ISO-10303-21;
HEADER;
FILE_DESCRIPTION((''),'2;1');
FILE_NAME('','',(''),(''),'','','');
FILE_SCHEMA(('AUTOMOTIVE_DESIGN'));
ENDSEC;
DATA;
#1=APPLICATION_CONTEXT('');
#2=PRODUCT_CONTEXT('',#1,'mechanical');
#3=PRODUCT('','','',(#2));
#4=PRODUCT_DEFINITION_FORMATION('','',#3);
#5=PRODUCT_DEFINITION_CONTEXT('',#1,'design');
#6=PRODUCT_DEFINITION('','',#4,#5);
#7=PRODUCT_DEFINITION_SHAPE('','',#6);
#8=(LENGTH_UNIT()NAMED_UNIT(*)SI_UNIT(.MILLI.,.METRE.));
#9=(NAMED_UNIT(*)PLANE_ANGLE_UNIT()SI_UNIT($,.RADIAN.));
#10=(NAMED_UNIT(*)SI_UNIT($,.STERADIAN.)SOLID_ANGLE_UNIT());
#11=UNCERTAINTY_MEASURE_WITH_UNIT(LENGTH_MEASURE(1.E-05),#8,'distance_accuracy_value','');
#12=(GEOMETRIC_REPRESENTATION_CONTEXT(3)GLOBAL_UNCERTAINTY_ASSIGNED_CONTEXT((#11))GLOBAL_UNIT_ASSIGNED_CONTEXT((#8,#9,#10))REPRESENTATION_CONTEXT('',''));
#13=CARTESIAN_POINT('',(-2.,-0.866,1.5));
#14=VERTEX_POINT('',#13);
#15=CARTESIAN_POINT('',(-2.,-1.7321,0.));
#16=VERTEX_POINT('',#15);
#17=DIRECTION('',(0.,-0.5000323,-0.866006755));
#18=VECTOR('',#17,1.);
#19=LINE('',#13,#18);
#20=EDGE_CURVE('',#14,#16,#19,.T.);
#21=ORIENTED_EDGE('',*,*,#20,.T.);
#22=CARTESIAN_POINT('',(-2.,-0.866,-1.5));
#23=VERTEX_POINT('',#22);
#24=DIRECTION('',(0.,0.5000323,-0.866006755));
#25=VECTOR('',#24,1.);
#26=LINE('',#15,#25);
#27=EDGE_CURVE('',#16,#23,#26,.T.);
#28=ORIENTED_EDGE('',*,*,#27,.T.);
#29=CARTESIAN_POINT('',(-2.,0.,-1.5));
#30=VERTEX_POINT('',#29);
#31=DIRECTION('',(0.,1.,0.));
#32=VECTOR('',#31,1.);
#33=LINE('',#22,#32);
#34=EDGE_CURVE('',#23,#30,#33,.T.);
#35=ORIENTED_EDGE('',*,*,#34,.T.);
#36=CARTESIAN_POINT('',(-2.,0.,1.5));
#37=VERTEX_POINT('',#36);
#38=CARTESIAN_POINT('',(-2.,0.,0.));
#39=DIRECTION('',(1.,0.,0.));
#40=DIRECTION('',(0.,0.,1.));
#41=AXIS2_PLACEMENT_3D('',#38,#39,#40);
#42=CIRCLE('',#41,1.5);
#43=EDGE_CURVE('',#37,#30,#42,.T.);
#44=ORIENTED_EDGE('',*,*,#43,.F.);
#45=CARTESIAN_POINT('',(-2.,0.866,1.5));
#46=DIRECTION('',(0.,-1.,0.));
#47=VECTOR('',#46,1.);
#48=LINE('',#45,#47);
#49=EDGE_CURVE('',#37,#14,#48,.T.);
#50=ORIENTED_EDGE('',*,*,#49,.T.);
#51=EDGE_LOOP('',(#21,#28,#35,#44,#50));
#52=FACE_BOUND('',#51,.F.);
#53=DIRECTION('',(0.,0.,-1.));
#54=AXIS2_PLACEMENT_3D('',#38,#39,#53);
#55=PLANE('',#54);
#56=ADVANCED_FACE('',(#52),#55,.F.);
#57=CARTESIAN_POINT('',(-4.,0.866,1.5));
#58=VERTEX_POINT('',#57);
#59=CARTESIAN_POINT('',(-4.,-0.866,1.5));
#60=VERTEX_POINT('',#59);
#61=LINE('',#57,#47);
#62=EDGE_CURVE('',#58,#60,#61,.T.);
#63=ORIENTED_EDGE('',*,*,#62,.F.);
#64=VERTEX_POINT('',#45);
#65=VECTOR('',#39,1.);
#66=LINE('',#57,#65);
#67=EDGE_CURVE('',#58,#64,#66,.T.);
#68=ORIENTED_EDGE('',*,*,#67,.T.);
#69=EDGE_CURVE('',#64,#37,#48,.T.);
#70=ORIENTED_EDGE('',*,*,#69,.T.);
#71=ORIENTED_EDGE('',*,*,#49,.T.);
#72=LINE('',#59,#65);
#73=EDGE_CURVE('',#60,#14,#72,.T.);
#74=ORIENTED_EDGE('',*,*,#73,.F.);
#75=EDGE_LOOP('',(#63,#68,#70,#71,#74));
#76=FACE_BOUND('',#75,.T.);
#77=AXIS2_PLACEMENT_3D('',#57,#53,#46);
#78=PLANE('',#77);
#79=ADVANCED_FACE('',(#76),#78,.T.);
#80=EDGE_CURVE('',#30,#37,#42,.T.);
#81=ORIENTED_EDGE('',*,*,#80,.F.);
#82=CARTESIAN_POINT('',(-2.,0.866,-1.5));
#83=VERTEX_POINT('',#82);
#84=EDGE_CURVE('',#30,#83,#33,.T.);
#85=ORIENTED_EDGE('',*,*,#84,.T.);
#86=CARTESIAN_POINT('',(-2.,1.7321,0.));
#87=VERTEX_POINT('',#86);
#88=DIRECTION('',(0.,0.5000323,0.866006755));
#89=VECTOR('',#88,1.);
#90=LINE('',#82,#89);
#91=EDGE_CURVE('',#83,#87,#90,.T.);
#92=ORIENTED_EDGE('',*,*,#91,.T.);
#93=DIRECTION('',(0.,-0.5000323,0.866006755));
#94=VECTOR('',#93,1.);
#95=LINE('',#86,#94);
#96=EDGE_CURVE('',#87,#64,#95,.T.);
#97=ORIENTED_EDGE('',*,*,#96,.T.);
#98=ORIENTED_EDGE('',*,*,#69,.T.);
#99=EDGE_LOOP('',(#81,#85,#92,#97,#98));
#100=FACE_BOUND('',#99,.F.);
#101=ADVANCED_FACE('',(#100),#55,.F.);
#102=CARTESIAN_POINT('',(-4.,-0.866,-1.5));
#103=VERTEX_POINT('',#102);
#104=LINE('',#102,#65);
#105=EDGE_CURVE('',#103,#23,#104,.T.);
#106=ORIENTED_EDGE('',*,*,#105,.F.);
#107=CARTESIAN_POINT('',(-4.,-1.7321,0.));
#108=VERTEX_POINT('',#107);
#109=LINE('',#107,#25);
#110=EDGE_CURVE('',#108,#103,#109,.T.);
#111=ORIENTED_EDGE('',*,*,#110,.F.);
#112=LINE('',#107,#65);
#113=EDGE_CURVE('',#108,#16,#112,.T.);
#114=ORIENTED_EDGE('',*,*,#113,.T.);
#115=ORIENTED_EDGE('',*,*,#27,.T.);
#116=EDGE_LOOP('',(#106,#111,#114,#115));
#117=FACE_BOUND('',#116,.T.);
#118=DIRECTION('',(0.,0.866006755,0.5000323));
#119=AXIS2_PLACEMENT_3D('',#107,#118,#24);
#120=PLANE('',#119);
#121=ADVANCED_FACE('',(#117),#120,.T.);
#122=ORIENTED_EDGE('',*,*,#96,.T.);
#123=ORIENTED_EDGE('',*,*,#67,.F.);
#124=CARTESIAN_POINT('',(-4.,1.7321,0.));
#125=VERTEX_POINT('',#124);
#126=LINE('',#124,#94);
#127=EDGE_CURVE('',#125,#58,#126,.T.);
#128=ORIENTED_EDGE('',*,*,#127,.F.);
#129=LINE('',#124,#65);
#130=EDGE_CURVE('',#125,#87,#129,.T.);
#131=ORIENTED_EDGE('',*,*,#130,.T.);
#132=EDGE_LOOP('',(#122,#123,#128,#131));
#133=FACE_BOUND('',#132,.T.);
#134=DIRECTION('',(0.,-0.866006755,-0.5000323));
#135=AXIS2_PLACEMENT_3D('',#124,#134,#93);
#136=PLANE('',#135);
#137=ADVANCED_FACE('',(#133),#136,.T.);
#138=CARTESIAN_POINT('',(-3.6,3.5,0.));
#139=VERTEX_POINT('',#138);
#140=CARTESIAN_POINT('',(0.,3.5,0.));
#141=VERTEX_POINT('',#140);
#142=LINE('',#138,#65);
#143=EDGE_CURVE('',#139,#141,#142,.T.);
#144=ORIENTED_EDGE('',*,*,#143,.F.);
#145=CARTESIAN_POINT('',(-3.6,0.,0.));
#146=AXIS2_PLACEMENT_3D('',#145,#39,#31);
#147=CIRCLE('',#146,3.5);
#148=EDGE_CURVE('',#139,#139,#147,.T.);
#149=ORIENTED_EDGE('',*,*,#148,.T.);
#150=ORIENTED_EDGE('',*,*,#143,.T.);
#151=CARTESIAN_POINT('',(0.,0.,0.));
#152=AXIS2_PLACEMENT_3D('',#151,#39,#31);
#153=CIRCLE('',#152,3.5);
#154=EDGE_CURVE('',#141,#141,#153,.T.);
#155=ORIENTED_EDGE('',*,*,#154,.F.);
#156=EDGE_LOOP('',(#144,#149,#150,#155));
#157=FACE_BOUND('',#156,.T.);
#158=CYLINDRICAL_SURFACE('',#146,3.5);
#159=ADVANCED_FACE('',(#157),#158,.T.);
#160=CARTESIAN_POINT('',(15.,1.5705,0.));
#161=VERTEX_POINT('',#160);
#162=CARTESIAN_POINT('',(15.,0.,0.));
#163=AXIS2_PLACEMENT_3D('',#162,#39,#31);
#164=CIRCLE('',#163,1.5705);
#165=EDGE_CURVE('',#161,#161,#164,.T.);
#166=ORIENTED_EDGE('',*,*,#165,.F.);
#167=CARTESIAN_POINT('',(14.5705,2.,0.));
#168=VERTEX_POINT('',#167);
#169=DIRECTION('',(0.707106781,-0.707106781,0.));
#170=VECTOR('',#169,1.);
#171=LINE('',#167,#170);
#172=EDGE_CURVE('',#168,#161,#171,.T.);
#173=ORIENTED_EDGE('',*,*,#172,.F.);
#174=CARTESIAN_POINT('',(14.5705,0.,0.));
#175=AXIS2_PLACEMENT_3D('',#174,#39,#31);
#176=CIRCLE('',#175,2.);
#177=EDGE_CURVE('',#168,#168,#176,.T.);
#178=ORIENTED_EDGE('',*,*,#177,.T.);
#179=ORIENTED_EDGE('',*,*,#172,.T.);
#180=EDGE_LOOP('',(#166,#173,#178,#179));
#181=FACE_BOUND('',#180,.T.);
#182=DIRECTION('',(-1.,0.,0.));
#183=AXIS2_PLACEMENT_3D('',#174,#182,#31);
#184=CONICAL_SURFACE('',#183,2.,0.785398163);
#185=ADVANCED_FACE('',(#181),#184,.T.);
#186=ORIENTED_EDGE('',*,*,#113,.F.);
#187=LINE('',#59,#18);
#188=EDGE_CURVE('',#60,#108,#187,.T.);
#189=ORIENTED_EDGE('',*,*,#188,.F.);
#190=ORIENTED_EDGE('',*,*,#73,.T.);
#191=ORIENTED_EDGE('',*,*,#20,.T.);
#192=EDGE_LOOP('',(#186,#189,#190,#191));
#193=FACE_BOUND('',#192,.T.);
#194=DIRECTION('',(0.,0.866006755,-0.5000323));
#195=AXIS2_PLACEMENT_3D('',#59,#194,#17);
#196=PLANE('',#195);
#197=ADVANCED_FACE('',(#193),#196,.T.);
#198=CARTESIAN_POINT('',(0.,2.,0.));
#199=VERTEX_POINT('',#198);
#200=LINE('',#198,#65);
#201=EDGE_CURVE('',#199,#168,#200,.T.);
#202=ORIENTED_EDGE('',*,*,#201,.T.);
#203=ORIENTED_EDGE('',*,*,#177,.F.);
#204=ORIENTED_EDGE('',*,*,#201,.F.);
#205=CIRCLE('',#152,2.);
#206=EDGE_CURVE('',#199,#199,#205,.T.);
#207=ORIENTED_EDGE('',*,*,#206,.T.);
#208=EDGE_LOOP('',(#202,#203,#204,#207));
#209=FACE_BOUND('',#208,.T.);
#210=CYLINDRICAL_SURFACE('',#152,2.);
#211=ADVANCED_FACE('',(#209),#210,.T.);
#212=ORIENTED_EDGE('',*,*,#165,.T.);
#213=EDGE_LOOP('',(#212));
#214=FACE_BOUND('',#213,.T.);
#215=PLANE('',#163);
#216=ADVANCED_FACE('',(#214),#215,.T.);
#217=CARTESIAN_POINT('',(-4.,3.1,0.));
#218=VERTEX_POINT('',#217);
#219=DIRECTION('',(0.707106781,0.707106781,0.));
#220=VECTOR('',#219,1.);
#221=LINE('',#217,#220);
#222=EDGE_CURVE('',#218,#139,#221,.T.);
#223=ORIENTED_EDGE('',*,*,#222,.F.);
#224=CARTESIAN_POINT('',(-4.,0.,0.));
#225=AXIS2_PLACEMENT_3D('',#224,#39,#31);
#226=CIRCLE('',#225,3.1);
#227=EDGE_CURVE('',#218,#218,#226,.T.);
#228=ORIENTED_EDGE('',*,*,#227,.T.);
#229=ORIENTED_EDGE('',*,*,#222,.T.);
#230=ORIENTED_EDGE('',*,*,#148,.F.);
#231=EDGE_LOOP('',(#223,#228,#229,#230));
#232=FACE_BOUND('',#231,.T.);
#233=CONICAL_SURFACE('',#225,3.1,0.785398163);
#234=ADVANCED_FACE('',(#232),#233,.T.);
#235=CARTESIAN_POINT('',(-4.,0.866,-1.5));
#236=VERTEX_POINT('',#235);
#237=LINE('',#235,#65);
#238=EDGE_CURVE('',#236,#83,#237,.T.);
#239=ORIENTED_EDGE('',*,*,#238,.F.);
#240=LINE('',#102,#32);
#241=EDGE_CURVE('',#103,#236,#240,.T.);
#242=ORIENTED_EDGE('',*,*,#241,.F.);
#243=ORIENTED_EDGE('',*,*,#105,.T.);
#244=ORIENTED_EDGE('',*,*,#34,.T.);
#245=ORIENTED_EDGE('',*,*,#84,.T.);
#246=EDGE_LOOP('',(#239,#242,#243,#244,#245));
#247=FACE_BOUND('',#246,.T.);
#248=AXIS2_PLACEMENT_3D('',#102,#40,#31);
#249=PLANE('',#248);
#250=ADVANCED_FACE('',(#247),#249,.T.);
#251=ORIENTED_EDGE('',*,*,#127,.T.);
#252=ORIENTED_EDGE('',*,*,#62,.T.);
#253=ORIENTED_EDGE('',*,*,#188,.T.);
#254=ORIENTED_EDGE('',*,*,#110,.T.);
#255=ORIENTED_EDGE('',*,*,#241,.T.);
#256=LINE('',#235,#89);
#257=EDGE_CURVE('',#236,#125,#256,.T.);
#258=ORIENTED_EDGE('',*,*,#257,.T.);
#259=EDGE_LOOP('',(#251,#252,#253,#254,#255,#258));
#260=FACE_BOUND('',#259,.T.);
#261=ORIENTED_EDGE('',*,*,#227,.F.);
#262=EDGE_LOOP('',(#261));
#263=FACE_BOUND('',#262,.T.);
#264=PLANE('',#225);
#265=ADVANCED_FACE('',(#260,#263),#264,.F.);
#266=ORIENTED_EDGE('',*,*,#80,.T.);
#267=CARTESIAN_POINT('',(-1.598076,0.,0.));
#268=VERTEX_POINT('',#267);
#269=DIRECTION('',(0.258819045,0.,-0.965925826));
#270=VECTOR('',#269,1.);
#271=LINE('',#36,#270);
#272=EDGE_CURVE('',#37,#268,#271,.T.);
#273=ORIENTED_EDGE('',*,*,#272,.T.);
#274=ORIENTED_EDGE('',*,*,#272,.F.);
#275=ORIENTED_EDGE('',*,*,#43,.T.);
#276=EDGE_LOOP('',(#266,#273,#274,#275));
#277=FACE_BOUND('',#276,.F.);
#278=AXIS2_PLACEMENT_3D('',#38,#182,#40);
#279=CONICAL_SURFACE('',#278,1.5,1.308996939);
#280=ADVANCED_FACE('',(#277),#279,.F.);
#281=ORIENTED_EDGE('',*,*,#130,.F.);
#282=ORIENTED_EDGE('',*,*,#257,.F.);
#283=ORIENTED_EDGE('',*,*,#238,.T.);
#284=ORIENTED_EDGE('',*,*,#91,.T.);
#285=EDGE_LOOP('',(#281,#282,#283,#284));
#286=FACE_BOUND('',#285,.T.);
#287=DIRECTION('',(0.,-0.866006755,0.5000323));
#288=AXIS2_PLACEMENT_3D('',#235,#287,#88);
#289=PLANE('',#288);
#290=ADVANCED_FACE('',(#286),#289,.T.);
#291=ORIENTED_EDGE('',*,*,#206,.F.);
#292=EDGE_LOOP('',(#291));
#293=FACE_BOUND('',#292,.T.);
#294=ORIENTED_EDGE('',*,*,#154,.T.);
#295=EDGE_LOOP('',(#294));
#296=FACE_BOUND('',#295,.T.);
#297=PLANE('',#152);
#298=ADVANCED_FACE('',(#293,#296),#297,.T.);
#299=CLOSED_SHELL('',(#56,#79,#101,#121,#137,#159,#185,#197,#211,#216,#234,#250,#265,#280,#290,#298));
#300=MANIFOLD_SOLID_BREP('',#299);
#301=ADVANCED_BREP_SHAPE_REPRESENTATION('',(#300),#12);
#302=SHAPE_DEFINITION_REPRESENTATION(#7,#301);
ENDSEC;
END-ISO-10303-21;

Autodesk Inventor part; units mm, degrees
sketch "Sketch_1" plane through (0, 0, 0) normal (0, 0, 1) x (1, 0, 0)
  line L0 (15, 0) -> (-4, 0)
  line L1 (-4, 0) -> (-4, 3.1)
  line L2 (-4, 3.1) -> (-3.6, 3.5)
  line L3 (-3.6, 3.5) -> (0, 3.5)
  line L4 (0, 3.5) -> (0, 2)
  line L5 (0, 2) -> (14.5705, 2)
  line L6 (14.5705, 2) -> (15, 1.5705)
  line L7 (15, 1.5705) -> (15, 0)
  line L8 (15, 0) -> (-4, 0)
revolve "Revolution1" add sketch "Sketch_1" angle 360 about axis through (15, 0, 0) along (1, 0, 0)
thread "Thread1" size "M4x0.7" class "6g" standard "ISO Metric profile" length 13.5705
sketch "Sketch2" plane through (-4, 0, 0) normal (-1, 0, 0) x (0, 0, 1)
  point P0 (0, 0)
hole "Hole1" at (-4, 0, 0) direction (1, 0, 0) diameter 3 depth 2 tip angle 150
sketch "Sketch_3" plane through (-4, 0, 0) normal (1, 0, 0) x (0, 0, -1)
  line L0 (-1.5, -0.866) -> (0, -1.7321)
  line L1 (0, -1.7321) -> (1.5, -0.866)
  line L2 (1.5, -0.866) -> (1.5, 0.866)
  line L3 (1.5, 0.866) -> (0, 1.7321)
  line L4 (0, 1.7321) -> (-1.5, 0.866)
  line L5 (-1.5, 0.866) -> (-1.5, -0.866)
extrude "Extrusion1" cut sketch "Sketch_3" along normal blind 2
ref_plane "bolt_to_nut_XY" through (15, 0, 0) normal (1, 0, 0) x (0, 0, -1)
ref_plane "bolt_to_nut_YZ" through (15, 0, 0) normal (0, 0, -1) x (0, 1, 0)
ref_plane "bolt_to_nut_ZX" through (15, 0, 0) normal (0, 1, 0) x (1, 0, 0)
ref_plane "screw1_XY" through (0, 0, 0) normal (1, 0, 0) x (0, 0, -1)
ref_plane "screw1_YZ" through (0, 0, 0) normal (0, 0, -1) x (0, 1, 0)
ref_plane "screw1_ZX" through (0, 0, 0) normal (0, 1, 0) x (1, 0, 0)
properties part number "CB4-15" material "鋼、炭素鋼"
